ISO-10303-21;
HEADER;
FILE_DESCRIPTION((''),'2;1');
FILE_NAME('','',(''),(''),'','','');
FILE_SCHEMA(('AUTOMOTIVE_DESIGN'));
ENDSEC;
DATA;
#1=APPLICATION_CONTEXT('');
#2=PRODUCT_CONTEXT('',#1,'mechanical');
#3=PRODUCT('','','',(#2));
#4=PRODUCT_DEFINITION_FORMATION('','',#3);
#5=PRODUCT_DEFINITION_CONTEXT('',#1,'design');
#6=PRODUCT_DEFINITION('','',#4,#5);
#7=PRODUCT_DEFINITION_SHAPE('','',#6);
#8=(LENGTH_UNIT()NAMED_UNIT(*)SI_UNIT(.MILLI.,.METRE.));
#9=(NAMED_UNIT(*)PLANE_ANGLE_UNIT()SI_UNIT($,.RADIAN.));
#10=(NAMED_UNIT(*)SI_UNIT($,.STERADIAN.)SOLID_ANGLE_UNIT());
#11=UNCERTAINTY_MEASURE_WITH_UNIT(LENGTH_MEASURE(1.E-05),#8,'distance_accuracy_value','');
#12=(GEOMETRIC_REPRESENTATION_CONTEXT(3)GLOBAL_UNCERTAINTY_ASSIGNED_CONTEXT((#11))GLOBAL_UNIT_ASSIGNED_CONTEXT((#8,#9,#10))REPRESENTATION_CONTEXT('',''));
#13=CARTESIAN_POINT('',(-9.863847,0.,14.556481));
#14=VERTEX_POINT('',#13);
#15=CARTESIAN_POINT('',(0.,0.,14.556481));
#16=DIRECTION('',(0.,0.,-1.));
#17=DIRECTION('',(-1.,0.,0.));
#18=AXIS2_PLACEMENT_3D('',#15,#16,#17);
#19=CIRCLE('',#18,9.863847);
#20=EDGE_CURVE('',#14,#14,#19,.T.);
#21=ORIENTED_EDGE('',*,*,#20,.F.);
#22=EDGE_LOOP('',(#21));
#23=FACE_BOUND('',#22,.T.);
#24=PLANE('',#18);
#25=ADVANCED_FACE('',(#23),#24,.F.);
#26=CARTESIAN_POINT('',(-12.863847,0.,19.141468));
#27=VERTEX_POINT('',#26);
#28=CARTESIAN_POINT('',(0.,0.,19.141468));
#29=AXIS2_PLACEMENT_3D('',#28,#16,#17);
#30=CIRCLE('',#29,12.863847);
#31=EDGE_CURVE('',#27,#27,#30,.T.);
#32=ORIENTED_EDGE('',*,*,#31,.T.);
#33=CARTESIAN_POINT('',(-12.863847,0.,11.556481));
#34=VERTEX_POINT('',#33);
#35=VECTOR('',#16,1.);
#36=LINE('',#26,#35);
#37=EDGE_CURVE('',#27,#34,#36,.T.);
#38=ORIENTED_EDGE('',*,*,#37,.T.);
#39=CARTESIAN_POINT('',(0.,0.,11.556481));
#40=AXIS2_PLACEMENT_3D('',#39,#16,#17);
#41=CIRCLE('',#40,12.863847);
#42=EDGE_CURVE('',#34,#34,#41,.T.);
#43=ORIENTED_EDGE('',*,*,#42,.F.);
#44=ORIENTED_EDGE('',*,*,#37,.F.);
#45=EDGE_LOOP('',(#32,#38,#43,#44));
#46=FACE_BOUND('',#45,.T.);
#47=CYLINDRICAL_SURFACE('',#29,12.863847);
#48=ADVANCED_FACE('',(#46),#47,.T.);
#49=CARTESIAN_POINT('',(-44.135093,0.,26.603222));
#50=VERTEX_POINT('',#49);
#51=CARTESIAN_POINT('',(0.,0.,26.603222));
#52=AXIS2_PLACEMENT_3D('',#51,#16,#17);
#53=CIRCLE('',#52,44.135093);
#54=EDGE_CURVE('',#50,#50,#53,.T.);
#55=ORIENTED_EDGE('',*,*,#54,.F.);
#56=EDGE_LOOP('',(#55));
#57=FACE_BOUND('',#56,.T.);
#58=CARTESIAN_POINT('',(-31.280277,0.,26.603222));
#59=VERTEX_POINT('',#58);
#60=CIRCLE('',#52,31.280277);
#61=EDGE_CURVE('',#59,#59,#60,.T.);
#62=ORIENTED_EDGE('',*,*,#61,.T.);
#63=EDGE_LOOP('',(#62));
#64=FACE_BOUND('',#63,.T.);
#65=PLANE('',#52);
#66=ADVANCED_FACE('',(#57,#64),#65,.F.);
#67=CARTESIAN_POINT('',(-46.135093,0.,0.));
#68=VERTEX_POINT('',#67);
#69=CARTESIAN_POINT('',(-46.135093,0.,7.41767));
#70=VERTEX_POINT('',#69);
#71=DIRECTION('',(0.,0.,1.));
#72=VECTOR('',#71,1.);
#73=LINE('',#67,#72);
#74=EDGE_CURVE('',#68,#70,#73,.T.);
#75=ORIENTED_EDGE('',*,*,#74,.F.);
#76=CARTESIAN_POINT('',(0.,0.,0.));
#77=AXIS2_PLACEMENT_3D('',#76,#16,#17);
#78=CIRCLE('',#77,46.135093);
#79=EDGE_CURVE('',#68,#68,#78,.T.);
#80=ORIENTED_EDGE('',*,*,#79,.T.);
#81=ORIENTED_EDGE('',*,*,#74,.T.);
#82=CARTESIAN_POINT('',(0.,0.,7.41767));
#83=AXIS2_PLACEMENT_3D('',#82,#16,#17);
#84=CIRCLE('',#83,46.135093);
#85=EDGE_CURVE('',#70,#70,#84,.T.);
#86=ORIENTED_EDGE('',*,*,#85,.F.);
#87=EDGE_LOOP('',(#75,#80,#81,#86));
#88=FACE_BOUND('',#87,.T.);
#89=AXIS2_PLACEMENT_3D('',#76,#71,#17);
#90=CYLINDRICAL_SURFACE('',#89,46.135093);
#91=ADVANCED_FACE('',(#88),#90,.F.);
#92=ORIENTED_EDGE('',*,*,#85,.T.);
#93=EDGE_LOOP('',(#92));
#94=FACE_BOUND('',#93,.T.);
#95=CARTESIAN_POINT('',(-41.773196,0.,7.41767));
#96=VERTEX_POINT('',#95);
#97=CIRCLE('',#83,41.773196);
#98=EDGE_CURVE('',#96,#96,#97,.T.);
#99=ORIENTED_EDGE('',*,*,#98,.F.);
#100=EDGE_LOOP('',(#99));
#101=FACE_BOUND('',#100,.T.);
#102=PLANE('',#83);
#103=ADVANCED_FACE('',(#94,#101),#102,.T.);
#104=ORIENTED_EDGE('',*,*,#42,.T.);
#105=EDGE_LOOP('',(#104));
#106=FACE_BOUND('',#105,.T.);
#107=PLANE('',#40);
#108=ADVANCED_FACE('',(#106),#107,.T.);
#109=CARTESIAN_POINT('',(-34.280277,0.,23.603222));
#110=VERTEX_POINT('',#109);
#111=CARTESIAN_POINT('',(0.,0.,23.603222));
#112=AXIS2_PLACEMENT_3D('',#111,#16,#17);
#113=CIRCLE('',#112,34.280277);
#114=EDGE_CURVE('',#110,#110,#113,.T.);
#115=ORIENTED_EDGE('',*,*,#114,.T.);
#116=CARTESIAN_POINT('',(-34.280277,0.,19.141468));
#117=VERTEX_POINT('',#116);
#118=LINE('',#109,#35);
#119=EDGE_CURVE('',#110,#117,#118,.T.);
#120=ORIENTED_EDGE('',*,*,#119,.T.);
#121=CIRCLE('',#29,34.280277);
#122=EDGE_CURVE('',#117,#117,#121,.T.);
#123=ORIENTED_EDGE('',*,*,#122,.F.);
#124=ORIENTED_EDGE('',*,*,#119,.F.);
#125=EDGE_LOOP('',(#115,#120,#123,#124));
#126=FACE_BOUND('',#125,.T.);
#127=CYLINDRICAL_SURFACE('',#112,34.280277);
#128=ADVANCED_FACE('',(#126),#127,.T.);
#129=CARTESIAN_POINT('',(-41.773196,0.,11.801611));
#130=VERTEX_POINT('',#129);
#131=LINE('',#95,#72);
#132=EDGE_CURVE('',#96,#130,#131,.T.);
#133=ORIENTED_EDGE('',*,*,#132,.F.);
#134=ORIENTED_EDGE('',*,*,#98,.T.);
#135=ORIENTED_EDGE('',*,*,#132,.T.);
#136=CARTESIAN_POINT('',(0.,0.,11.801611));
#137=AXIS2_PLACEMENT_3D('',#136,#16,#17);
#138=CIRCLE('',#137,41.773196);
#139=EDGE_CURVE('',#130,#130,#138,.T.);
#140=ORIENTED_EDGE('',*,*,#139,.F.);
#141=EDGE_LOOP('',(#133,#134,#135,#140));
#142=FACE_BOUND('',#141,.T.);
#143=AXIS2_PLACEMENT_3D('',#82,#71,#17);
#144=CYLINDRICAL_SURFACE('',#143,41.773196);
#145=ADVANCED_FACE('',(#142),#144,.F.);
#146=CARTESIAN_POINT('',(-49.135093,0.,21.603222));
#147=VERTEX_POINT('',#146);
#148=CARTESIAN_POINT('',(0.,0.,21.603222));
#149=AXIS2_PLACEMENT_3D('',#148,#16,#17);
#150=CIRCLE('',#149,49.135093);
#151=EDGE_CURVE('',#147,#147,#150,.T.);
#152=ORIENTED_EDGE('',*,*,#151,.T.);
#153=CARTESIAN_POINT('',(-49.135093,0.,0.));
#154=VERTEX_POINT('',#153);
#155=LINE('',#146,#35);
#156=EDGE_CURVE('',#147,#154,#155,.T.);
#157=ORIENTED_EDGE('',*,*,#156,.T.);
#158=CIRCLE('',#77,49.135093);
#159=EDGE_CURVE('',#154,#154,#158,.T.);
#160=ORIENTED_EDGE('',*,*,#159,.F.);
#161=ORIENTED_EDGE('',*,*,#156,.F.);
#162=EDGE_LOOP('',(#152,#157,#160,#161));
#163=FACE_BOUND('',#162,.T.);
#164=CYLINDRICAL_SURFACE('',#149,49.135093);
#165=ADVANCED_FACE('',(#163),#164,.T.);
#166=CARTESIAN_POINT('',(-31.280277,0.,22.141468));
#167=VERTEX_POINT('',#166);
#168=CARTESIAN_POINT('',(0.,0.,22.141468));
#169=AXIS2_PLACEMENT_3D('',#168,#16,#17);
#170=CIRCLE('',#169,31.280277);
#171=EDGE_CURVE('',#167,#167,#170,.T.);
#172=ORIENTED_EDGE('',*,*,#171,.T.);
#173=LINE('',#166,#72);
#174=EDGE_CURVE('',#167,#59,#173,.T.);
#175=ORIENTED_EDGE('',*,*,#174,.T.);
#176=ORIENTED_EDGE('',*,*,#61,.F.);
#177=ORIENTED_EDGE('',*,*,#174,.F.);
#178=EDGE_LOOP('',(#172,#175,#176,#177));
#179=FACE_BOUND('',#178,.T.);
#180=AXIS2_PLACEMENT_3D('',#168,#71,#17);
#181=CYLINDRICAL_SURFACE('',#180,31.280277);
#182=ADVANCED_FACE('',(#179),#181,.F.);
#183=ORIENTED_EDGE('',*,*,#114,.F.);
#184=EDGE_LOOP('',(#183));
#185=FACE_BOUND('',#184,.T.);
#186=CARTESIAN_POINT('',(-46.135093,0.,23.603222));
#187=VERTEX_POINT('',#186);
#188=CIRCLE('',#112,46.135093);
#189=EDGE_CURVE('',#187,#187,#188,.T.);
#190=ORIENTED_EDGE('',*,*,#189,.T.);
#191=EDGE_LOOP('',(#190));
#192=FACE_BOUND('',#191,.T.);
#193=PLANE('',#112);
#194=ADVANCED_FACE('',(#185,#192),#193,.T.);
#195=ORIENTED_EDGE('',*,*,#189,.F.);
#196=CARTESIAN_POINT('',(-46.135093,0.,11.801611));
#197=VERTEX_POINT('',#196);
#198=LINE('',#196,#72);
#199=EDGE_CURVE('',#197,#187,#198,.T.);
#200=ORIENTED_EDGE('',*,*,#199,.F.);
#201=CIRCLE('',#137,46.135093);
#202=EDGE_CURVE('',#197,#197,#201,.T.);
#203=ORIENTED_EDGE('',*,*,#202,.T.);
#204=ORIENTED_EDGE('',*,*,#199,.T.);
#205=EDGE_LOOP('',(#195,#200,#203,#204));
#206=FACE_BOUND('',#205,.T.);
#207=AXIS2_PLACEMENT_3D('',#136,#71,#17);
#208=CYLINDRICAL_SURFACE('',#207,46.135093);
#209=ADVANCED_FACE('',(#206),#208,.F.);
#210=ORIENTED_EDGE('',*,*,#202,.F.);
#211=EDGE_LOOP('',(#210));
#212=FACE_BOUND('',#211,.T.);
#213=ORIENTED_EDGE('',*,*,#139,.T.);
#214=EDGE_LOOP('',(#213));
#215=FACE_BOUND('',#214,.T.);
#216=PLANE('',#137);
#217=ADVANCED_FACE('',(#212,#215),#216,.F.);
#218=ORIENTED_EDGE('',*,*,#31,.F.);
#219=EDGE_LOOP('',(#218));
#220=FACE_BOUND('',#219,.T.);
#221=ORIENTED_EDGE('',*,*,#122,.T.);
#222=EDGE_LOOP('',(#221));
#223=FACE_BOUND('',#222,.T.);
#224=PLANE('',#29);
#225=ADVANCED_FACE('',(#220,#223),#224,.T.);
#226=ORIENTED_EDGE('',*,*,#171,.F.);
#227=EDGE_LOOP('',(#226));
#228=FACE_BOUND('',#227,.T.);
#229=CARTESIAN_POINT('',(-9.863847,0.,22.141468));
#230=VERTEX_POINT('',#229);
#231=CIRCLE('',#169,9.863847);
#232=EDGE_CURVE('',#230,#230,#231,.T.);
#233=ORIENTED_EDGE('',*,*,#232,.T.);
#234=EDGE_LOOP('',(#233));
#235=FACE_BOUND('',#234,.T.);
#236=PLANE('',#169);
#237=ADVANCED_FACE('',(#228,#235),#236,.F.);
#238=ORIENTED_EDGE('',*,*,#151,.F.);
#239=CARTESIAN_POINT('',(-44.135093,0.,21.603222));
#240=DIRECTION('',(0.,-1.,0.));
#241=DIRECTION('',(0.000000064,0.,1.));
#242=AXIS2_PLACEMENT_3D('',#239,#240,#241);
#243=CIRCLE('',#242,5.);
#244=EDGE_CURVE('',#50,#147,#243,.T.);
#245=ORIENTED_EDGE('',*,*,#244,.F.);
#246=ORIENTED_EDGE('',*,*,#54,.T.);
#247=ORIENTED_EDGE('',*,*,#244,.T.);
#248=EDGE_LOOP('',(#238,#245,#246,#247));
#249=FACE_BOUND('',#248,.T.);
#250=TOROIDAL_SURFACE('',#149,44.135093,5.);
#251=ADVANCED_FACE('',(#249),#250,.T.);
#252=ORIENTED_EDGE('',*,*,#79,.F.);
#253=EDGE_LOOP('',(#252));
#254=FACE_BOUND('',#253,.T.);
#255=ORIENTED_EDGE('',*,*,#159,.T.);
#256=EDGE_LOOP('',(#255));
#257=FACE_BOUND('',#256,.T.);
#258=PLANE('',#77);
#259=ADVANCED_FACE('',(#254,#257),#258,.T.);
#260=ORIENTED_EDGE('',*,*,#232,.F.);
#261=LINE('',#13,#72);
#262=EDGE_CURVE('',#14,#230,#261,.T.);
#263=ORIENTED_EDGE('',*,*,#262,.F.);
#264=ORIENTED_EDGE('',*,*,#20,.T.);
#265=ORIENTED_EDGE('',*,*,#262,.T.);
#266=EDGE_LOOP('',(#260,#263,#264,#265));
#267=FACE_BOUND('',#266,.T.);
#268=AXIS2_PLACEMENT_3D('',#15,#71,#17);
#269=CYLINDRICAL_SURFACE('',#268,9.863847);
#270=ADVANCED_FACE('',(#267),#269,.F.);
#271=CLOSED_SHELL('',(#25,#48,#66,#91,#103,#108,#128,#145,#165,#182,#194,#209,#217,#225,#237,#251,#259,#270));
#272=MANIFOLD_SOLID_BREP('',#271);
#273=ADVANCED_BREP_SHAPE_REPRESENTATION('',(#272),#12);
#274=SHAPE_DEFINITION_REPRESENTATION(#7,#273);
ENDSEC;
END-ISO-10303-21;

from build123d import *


with BuildPart() as f1:
    # F0 (on Front) → F1 (revolve)
    with BuildSketch(Plane.XZ):
        with BuildLine():
            Line((-49.135093, 21.603222), (-49.135093, 0))
            Line((-49.135093, 0), (-46.135093, 0))
            Line((-46.135093, 0), (-46.135093, 7.41767))
            Line((-46.135093, 7.41767), (-41.773196, 7.41767))
            Line((-41.773196, 7.41767), (-41.773196, 11.801611))
            Line((-41.773196, 11.801611), (-46.135093, 11.801611))
            Line((-46.135093, 11.801611), (-46.135093, 23.603222))
            Line((-46.135093, 23.603222), (-34.280277, 23.603222))
            Line((-34.280277, 23.603222), (-34.280277, 19.141468))
            Line((-34.280277, 19.141468), (-12.863847, 19.141468))
            Line((-12.863847, 19.141468), (-12.863847, 11.556481))
            Line((-12.863847, 11.556481), (0, 11.556481))
            Line((0, 11.556481), (0, 14.556481))
            Line((0, 14.556481), (-9.863847, 14.556481))
            Line((-9.863847, 14.556481), (-9.863847, 22.141468))
            Line((-9.863847, 22.141468), (-31.280277, 22.141468))
            Line((-31.280277, 22.141468), (-31.280277, 26.603222))
            Line((-31.280277, 26.603222), (-44.135093, 26.603222))
            ThreePointArc((-44.135093, 26.603222), (-47.670627, 25.138756), (-49.135093, 21.603222))
        make_face()
    revolve(axis=Axis((0, 0, 13.056481), (0, 0, -1)))


solid = f1.part
